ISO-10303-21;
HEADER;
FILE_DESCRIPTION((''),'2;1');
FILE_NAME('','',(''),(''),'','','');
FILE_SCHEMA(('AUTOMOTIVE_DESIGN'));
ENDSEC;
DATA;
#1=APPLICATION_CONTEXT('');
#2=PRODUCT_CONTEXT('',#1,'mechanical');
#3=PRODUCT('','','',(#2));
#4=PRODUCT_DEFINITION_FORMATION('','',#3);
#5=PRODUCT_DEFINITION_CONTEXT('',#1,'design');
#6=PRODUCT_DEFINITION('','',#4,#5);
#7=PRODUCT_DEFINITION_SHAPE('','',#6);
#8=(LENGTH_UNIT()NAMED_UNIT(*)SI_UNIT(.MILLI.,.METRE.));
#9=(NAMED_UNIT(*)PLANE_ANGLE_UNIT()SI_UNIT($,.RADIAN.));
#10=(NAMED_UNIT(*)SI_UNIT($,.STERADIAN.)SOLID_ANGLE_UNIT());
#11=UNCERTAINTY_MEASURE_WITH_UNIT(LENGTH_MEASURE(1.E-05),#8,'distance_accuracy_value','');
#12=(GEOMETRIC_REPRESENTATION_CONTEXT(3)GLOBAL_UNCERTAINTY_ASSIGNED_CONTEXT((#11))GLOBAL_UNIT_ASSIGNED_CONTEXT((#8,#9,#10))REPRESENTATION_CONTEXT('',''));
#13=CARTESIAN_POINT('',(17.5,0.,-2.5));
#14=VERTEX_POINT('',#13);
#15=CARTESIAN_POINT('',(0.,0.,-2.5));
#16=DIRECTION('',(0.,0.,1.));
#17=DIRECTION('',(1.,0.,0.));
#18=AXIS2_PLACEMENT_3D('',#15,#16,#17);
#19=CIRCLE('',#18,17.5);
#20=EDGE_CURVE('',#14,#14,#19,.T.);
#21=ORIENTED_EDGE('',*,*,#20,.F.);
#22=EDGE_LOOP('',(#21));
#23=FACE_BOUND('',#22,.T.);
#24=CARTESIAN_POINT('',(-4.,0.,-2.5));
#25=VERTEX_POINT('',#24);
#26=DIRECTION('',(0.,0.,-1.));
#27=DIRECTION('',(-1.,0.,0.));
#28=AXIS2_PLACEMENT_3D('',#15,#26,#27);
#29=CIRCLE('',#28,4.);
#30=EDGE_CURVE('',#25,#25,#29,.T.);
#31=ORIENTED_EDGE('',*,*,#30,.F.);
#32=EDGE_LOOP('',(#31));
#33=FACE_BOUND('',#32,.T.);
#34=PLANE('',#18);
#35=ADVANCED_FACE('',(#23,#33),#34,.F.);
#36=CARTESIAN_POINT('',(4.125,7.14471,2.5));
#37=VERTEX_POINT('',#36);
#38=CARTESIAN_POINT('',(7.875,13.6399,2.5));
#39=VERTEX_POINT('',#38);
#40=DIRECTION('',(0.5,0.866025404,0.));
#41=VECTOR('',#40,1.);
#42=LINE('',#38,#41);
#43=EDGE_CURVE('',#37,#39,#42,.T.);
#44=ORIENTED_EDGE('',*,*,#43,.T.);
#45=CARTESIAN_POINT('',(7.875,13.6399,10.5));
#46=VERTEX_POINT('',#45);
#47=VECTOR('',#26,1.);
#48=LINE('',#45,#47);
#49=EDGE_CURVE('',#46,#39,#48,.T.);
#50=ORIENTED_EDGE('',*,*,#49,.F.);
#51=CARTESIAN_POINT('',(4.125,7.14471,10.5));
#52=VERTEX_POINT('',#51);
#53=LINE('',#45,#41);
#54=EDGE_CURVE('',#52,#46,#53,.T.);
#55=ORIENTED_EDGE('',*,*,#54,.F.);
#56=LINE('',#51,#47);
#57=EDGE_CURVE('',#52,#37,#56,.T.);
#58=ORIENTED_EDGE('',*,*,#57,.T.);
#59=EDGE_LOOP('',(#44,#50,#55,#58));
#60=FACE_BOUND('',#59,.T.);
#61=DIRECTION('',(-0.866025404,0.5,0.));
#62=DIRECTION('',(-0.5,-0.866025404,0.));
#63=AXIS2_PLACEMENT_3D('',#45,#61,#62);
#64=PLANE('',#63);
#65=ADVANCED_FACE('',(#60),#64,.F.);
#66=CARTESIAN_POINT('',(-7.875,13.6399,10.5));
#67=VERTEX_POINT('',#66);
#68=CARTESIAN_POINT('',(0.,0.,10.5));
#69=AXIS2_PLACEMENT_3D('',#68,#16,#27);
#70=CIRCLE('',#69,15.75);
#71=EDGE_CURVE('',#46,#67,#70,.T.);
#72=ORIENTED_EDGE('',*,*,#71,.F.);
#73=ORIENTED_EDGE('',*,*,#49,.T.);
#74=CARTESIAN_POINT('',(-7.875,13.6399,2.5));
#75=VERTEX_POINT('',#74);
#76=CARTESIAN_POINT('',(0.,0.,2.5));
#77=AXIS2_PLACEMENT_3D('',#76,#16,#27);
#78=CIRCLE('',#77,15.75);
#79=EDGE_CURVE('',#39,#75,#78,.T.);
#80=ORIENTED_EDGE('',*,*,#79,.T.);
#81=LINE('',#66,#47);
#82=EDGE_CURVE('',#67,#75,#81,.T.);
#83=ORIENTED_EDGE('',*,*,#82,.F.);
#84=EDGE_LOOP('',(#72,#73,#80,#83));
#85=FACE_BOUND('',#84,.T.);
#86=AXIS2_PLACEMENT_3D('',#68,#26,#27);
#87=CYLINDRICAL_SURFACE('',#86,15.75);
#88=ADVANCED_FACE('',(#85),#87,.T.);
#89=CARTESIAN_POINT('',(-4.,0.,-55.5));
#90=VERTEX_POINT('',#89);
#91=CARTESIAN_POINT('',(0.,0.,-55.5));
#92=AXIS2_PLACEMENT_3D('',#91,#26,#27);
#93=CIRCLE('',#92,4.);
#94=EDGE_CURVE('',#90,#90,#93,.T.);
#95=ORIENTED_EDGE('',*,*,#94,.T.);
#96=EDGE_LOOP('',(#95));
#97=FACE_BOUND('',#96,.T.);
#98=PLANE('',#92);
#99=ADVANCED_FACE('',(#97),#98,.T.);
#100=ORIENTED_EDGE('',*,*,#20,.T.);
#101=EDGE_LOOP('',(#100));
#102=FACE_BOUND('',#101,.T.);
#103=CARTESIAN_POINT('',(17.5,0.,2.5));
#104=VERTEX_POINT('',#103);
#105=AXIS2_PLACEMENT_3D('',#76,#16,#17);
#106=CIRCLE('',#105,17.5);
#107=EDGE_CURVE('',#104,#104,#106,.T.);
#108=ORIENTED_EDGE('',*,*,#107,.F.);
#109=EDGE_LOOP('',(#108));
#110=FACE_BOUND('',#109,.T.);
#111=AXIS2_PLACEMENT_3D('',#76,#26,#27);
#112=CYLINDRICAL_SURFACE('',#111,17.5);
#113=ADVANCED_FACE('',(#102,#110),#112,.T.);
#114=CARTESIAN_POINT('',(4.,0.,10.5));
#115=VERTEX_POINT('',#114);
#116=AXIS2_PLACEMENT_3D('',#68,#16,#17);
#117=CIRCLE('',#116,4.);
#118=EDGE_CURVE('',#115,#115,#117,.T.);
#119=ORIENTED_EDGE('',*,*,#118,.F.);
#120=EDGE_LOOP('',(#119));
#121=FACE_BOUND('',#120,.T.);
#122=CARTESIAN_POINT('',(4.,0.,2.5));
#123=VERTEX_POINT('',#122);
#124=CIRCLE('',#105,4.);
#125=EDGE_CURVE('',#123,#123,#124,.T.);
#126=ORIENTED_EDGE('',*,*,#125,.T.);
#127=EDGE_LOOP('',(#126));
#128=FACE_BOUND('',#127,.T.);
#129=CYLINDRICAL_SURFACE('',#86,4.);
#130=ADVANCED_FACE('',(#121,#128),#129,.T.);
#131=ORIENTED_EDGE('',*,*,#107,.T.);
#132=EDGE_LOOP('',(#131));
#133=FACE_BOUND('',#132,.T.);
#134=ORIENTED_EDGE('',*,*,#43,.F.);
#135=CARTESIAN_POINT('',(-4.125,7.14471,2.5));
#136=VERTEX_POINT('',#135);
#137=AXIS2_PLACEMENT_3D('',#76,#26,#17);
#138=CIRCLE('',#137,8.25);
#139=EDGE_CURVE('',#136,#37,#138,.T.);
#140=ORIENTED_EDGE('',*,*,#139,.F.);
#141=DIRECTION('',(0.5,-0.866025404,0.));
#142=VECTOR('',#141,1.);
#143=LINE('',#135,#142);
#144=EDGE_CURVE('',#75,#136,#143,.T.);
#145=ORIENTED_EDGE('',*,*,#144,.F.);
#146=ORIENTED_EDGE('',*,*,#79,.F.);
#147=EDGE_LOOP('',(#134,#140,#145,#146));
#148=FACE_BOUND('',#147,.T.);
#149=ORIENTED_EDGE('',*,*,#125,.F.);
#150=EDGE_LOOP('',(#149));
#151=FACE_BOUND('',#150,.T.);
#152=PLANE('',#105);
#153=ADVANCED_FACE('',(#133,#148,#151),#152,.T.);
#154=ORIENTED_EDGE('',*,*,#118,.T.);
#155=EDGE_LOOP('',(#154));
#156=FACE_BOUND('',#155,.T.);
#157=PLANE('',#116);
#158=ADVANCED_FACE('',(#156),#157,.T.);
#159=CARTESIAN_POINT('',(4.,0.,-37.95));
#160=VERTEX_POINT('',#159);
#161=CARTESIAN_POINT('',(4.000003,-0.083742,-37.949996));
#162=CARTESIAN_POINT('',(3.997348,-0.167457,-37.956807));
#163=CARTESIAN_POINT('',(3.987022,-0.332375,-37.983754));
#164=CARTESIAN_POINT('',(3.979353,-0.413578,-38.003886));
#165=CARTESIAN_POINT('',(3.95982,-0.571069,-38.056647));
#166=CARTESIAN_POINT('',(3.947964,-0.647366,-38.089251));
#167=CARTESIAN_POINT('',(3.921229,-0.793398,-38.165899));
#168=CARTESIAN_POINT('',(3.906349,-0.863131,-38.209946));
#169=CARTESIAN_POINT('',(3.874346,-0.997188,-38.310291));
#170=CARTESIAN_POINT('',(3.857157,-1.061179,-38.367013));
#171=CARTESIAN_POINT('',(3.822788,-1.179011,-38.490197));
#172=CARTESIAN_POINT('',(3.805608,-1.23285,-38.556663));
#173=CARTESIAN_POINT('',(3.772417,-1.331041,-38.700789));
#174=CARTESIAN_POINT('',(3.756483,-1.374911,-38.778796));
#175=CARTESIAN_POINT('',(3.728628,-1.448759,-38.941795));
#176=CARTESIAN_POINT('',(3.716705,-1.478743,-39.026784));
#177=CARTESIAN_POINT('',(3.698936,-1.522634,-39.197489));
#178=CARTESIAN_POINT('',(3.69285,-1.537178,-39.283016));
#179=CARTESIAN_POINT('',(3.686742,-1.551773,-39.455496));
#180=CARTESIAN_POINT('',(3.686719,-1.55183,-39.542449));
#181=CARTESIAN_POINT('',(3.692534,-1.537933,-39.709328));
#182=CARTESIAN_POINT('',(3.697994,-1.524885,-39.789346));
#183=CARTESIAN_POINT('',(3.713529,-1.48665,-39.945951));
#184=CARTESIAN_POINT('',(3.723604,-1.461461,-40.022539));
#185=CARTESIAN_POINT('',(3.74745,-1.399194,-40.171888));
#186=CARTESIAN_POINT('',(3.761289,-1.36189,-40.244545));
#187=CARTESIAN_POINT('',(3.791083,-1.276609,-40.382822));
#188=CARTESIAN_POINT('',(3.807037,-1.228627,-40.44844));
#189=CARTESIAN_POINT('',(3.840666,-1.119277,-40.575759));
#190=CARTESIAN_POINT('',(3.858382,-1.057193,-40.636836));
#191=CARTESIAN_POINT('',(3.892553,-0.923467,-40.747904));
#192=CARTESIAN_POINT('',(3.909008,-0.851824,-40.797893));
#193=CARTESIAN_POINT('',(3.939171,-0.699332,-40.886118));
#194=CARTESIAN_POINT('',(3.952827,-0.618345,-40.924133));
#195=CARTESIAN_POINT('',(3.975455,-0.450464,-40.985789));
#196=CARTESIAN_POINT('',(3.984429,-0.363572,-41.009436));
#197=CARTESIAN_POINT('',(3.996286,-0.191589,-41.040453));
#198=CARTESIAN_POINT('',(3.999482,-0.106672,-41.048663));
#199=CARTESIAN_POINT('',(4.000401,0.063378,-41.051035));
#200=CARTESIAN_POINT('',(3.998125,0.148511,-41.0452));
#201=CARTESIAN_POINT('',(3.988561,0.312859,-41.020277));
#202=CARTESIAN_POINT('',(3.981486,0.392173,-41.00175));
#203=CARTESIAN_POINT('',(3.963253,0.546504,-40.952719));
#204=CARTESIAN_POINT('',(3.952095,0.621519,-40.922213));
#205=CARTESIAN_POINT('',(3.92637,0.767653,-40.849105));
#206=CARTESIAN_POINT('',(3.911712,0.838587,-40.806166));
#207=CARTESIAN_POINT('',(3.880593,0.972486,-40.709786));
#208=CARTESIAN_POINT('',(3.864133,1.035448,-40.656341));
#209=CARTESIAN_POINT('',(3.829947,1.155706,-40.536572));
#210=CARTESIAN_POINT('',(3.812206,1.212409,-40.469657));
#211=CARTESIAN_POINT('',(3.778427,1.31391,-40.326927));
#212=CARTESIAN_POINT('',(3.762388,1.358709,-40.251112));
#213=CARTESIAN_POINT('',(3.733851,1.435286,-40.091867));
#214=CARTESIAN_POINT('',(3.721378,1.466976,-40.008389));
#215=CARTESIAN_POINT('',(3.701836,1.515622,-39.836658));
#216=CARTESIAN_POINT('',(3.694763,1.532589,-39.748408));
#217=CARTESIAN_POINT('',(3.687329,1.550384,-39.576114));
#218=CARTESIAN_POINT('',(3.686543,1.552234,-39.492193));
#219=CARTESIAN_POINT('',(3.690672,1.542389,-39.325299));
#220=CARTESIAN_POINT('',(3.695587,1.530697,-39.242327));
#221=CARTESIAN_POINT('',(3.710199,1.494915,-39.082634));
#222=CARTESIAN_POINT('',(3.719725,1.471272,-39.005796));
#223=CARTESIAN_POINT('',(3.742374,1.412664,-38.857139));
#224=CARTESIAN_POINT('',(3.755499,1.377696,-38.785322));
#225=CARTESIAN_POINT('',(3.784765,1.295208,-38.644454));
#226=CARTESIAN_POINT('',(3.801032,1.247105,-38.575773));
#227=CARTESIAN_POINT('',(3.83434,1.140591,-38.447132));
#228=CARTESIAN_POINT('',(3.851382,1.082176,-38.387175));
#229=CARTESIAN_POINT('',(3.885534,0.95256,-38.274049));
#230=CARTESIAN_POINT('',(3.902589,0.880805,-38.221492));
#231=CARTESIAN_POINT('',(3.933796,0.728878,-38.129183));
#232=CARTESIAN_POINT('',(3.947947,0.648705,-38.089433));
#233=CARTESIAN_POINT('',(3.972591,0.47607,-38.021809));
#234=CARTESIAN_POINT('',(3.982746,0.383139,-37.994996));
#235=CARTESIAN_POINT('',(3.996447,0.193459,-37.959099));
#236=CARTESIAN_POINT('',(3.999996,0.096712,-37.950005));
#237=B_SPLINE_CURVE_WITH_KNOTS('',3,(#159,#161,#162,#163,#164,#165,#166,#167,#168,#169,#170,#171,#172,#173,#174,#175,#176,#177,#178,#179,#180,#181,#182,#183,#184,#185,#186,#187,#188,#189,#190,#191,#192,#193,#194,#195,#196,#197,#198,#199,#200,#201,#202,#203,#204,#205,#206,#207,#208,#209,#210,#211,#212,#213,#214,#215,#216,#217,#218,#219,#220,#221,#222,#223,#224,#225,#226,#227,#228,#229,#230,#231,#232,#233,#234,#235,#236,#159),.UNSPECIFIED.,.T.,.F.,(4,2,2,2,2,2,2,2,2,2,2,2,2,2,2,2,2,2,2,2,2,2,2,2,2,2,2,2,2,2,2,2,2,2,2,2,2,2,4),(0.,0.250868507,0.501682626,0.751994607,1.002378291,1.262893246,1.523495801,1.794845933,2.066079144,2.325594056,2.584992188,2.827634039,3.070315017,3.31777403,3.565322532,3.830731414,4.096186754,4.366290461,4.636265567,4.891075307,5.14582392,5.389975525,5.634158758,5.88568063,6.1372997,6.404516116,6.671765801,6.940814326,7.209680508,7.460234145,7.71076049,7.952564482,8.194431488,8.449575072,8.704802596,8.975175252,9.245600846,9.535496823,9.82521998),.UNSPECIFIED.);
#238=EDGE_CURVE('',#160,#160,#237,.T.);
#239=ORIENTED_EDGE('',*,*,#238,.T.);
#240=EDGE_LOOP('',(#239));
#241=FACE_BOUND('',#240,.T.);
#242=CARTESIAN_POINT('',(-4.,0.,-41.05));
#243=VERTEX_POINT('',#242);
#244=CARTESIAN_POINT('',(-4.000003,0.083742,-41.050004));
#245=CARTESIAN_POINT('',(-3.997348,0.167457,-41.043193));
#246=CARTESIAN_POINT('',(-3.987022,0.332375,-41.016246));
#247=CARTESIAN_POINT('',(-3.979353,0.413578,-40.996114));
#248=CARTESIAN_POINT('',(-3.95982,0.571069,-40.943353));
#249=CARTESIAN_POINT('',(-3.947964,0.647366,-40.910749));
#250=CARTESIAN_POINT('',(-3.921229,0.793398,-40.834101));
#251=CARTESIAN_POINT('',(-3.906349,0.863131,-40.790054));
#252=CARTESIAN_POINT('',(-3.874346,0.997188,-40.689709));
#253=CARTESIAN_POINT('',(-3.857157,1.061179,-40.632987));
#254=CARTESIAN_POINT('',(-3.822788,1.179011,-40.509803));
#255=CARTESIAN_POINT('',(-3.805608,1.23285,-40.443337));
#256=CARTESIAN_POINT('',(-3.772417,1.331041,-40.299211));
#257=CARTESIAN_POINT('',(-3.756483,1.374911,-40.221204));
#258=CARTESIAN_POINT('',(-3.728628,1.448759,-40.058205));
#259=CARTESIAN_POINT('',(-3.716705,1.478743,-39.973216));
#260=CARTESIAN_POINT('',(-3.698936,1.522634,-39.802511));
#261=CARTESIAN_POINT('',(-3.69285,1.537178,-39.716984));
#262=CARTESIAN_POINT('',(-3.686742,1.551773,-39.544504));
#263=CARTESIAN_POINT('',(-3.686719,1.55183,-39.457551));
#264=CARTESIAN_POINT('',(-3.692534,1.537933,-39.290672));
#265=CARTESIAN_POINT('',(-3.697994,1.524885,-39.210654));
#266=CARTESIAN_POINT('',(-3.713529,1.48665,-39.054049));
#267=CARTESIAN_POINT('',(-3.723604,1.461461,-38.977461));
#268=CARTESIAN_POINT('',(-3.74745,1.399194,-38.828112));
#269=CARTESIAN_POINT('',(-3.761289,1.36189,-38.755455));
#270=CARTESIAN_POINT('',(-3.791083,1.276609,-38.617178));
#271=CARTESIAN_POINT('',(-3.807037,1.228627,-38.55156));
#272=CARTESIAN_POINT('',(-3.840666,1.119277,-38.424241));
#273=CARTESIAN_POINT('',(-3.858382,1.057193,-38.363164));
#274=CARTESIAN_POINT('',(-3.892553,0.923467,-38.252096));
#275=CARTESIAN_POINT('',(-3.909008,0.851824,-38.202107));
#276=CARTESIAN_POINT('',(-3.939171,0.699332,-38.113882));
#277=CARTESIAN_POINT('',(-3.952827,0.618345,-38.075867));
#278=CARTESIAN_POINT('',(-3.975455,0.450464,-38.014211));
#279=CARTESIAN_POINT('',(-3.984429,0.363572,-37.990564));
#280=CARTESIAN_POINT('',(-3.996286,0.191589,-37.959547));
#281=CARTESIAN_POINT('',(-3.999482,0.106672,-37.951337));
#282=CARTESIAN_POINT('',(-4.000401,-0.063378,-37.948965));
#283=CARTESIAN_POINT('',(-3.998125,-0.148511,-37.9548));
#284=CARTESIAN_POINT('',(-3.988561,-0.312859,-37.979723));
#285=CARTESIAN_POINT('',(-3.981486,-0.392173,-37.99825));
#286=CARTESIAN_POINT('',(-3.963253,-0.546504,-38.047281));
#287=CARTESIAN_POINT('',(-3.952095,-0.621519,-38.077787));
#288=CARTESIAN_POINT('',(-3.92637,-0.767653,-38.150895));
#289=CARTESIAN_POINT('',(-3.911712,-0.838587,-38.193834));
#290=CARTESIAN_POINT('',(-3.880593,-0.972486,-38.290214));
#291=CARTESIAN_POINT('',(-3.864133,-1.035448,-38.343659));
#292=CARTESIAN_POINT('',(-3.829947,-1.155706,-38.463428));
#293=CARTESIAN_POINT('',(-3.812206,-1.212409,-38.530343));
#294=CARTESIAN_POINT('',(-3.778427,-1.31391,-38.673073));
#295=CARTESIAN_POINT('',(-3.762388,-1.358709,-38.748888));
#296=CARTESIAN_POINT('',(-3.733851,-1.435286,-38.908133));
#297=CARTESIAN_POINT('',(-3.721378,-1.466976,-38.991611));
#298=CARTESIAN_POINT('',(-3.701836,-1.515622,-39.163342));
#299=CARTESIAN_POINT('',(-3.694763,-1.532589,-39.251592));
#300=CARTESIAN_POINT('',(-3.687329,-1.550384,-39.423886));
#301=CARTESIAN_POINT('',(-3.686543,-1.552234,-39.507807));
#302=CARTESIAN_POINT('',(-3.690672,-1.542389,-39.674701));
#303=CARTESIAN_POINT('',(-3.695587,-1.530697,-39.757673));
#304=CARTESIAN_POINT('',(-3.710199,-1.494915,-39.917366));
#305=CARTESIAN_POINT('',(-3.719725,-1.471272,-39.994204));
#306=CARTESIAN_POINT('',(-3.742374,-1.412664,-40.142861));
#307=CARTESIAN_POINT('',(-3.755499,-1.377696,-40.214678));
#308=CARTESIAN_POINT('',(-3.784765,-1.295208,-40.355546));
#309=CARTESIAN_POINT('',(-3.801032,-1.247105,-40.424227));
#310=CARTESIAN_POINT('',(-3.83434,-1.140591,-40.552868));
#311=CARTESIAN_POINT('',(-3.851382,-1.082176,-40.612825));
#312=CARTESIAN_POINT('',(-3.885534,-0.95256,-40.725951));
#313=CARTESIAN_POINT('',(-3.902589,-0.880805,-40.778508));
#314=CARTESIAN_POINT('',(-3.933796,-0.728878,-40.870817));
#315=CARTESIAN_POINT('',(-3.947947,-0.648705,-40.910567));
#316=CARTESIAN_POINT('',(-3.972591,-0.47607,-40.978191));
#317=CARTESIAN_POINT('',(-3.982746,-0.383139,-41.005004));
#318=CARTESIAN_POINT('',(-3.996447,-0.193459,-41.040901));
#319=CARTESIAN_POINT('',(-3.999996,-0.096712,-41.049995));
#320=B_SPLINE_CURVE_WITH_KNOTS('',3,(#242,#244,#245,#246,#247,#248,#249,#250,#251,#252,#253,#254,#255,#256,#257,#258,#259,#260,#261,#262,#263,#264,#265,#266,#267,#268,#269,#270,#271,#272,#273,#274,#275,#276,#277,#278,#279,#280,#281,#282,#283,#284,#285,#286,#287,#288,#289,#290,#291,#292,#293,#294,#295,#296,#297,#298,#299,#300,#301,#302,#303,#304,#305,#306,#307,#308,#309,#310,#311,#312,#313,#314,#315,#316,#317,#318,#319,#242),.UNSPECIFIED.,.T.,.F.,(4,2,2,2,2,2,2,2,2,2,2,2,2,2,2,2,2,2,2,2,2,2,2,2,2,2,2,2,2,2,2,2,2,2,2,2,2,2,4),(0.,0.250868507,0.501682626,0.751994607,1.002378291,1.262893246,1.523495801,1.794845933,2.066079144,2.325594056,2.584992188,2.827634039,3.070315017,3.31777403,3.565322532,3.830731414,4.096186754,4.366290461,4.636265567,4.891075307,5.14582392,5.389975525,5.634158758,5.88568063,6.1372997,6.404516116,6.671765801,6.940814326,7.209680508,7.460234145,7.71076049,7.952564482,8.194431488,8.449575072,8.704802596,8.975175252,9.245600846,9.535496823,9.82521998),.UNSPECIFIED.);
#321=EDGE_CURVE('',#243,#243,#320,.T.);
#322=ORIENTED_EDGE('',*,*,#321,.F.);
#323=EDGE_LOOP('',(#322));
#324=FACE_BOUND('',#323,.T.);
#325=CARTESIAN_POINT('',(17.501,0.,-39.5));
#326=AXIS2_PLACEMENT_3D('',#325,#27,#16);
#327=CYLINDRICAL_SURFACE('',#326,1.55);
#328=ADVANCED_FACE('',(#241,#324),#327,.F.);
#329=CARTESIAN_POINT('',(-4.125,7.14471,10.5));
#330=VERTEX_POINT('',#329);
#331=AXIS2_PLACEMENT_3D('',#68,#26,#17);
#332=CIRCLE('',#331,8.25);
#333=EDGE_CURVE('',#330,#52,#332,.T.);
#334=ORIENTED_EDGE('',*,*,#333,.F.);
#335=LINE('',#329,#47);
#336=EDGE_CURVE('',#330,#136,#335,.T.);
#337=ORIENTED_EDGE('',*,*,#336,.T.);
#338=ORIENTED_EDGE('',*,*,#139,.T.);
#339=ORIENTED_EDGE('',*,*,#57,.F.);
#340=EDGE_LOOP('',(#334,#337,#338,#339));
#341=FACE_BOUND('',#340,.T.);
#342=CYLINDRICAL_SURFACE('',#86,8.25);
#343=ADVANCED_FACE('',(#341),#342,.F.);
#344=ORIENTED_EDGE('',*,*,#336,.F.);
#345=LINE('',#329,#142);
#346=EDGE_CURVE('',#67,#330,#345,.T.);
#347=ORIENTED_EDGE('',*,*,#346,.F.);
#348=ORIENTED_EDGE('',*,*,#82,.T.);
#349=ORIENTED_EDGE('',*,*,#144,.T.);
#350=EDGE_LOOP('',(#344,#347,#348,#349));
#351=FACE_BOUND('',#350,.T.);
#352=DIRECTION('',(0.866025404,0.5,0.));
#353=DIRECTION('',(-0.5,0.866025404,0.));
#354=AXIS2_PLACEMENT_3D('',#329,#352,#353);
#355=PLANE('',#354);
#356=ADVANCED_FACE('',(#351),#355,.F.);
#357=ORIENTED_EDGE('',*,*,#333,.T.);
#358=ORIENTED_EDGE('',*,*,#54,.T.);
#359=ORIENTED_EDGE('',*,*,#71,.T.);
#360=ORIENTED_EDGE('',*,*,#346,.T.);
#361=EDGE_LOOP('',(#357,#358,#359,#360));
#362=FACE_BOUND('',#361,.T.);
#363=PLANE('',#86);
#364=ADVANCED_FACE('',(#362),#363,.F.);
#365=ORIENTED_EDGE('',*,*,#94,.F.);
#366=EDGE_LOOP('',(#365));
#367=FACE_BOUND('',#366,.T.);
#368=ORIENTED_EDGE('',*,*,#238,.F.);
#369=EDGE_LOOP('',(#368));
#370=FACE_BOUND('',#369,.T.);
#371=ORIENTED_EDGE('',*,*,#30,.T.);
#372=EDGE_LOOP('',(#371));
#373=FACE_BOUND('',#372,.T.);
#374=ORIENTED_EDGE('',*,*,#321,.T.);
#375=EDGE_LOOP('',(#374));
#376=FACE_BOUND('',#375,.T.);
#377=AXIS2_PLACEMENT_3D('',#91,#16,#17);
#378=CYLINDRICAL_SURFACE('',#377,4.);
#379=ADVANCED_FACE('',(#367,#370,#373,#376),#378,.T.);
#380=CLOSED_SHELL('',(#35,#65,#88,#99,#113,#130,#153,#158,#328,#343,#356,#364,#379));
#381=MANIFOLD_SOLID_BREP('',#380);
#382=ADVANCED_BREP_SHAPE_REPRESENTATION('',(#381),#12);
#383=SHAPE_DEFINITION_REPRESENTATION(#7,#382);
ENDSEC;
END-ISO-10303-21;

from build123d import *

# Parameters (mm, degrees)
SKETCH1_R                           = 17.5
BOSS_EXTRUDE1_DEPTH                 = 2.5
BOSS_EXTRUDE2_DEPTH                 = 8
SKETCH3_R                           = 4
BOSS_EXTRUDE3_DEPTH                 = 8
BOSS_EXTRUDE4_START                 = 53
SKETCH7_R                           = 4
BOSS_EXTRUDE4_DEPTH                 = 53
CUT_EXTRUDE1_REACH                  = 62.768
CUT_EXTRUDE1_END_RADIUS             = 4
SKETCH8_R                           = 1.55
CUT_EXTRUDE1_DIRECTION_2_REACH      = 62.768
CUT_EXTRUDE1_DIRECTION_2_END_RADIUS = 4


with BuildPart() as part:
    # Sketch1 → Boss-Extrude1 (new, symmetric)
    with BuildSketch(Plane.XY):
        Circle(SKETCH1_R)
    extrude(amount=BOSS_EXTRUDE1_DEPTH, both=True)

    # Sketch2 → Boss-Extrude2 (add)
    with BuildSketch(Plane.XY.offset(2.5)):
        with BuildLine():
            Line((7.875, 13.63990011), (4.125, 7.144709581))
            ThreePointArc((4.125, 7.144709581), (0, 8.25), (-4.125, 7.144709581))
            Line((-4.125, 7.144709581), (-7.875, 13.63990011))
            ThreePointArc((-7.875, 13.63990011), (0, 15.75), (7.875, 13.63990011))
        make_face()
    extrude(amount=BOSS_EXTRUDE2_DEPTH)

    # Sketch3 → Boss-Extrude3 (add)
    with BuildSketch(Plane.XY.offset(2.5)):
        Circle(SKETCH3_R)
    extrude(amount=BOSS_EXTRUDE3_DEPTH)

    # Sketch7 → Boss-Extrude4 (add)
    with BuildSketch(Plane(origin=(0, 0, -2.5), x_dir=(-1, 0, 0), z_dir=(0, 0, -1)).offset(BOSS_EXTRUDE4_START)):
        Circle(SKETCH7_R)
    extrude(amount=-BOSS_EXTRUDE4_DEPTH)

    # Cut-Extrude1: up to this cylinder (the profile starts inside it)
    cut_extrude1_end = Plane(origin=(0, 0, -39.5), z_dir=(0, 0, 1)) * Cylinder(CUT_EXTRUDE1_END_RADIUS, 134.536, mode=Mode.PRIVATE)
    # Sketch8 → Cut-Extrude1 (cut, up to the surface)
    with BuildSketch(Plane.ZY, mode=Mode.PRIVATE) as cut_extrude1_sk1:
        with Locations((-39.5, 0)):
            Circle(SKETCH8_R)
    cut_extrude1_tool1 = extrude(cut_extrude1_sk1.sketch, amount=-CUT_EXTRUDE1_REACH, mode=Mode.PRIVATE) & cut_extrude1_end
    add(cut_extrude1_tool1.solids().sort_by_distance((0, 0, -39.5))[0], mode=Mode.SUBTRACT)

    # Cut-Extrude1 direction 2: up to this cylinder (the profile starts inside it)
    cut_extrude1_direction_2_end = Plane(origin=(0, 0, -39.5), z_dir=(0, 0, 1)) * Cylinder(CUT_EXTRUDE1_DIRECTION_2_END_RADIUS, 134.536, mode=Mode.PRIVATE)
    # Sketch8 → Cut-Extrude1 direction 2 (cut, up to the surface)
    with BuildSketch(Plane.ZY, mode=Mode.PRIVATE) as cut_extrude1_direction_2_sk1:
        with Locations((-39.5, 0)):
            Circle(SKETCH8_R)
    cut_extrude1_direction_2_tool1 = extrude(cut_extrude1_direction_2_sk1.sketch, amount=CUT_EXTRUDE1_DIRECTION_2_REACH, mode=Mode.PRIVATE) & cut_extrude1_direction_2_end
    add(cut_extrude1_direction_2_tool1.solids().sort_by_distance((0, 0, -39.5))[0], mode=Mode.SUBTRACT)


solid = part.part
